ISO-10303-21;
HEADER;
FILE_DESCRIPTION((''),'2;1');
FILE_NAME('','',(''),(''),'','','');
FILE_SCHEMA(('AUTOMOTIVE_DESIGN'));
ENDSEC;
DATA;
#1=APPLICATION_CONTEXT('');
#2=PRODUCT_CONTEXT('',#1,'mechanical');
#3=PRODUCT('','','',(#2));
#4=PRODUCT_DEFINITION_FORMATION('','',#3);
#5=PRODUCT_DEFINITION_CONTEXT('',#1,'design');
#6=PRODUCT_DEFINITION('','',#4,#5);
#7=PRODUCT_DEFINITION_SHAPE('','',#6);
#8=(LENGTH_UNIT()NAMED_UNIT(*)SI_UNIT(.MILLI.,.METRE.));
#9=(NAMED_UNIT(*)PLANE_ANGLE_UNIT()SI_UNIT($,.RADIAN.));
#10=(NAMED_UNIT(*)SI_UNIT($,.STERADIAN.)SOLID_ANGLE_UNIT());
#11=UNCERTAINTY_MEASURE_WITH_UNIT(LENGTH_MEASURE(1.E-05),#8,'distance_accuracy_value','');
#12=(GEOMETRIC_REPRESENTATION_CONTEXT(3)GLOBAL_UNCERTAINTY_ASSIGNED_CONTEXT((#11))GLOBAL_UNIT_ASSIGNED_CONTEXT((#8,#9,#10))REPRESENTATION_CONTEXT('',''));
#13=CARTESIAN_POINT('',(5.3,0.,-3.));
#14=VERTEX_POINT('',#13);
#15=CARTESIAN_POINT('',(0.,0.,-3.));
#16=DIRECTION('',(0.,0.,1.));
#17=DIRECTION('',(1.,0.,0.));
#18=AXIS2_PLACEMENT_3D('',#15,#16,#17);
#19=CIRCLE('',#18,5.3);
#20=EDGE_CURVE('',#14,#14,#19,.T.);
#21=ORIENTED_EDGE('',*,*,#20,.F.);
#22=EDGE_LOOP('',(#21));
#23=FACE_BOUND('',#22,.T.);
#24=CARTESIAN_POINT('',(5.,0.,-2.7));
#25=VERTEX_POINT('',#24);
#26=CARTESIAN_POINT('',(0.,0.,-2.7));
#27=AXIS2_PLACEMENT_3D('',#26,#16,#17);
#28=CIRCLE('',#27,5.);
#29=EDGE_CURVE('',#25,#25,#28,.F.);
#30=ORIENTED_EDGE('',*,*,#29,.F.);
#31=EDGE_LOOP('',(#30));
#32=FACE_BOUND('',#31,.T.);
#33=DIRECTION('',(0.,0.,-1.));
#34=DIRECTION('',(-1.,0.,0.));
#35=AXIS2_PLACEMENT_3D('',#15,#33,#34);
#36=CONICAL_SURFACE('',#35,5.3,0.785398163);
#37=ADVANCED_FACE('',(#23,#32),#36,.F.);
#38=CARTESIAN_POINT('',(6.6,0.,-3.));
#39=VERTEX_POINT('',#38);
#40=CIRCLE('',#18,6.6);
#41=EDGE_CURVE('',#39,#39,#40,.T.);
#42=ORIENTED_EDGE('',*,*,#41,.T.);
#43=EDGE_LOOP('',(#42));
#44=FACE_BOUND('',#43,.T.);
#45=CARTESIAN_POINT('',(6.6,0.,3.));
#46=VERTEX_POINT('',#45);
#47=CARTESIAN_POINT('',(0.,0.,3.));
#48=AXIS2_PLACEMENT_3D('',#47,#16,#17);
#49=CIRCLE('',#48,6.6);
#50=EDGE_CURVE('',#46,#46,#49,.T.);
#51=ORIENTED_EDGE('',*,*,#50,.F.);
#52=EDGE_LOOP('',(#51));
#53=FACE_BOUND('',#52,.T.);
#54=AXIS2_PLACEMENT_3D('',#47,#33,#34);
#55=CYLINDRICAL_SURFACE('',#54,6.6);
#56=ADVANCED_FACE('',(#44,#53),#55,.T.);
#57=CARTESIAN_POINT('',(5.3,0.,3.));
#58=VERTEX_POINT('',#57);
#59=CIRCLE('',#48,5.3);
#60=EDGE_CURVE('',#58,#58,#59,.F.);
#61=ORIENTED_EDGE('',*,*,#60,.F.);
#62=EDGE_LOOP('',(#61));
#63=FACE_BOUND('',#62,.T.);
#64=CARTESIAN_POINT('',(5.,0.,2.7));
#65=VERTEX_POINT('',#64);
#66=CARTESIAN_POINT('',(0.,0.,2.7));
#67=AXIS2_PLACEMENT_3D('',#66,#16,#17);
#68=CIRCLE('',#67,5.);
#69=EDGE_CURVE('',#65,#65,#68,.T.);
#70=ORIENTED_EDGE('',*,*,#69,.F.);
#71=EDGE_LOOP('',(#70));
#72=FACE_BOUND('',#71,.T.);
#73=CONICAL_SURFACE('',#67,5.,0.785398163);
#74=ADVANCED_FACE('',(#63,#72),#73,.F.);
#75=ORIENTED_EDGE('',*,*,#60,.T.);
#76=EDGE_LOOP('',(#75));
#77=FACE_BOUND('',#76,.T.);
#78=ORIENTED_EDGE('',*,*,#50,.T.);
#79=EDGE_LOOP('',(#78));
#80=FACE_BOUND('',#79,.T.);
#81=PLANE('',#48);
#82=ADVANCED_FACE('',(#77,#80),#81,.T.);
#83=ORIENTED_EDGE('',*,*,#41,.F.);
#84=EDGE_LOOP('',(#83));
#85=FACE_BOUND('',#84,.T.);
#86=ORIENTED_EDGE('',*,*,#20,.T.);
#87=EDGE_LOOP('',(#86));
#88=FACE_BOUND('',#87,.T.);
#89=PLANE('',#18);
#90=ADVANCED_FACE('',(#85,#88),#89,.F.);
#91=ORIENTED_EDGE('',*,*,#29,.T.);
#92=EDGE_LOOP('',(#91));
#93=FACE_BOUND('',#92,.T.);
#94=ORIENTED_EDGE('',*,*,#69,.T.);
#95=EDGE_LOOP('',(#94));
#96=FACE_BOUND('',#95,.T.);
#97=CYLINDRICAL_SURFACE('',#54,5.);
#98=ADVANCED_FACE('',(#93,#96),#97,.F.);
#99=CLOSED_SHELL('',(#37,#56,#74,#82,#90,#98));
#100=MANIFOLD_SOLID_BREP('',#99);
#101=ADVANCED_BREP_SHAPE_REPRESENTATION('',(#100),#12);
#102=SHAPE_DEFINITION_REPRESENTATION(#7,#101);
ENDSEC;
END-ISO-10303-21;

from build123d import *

# Parameters (mm, degrees)
SKETCH1_R           = 6.6
SKETCH1_R_2         = 5
BOSS_EXTRUDE1_DEPTH = 3
CHAMFER1_SIZE       = 0.3


with BuildPart() as part:
    # Sketch1 → Boss-Extrude1 (new body, symmetric)
    with BuildSketch(Plane.XY):
        Circle(SKETCH1_R)
        Circle(SKETCH1_R_2, mode=Mode.SUBTRACT)
    extrude(amount=BOSS_EXTRUDE1_DEPTH, both=True)

    # Chamfer1
    chamfer1_edges = [part.edges().sort_by_distance(p)[0] for p in [
        (-5, 0, -3),
        (-5, 0, 3),
    ]]
    chamfer(chamfer1_edges, length=CHAMFER1_SIZE)


solid = part.part
